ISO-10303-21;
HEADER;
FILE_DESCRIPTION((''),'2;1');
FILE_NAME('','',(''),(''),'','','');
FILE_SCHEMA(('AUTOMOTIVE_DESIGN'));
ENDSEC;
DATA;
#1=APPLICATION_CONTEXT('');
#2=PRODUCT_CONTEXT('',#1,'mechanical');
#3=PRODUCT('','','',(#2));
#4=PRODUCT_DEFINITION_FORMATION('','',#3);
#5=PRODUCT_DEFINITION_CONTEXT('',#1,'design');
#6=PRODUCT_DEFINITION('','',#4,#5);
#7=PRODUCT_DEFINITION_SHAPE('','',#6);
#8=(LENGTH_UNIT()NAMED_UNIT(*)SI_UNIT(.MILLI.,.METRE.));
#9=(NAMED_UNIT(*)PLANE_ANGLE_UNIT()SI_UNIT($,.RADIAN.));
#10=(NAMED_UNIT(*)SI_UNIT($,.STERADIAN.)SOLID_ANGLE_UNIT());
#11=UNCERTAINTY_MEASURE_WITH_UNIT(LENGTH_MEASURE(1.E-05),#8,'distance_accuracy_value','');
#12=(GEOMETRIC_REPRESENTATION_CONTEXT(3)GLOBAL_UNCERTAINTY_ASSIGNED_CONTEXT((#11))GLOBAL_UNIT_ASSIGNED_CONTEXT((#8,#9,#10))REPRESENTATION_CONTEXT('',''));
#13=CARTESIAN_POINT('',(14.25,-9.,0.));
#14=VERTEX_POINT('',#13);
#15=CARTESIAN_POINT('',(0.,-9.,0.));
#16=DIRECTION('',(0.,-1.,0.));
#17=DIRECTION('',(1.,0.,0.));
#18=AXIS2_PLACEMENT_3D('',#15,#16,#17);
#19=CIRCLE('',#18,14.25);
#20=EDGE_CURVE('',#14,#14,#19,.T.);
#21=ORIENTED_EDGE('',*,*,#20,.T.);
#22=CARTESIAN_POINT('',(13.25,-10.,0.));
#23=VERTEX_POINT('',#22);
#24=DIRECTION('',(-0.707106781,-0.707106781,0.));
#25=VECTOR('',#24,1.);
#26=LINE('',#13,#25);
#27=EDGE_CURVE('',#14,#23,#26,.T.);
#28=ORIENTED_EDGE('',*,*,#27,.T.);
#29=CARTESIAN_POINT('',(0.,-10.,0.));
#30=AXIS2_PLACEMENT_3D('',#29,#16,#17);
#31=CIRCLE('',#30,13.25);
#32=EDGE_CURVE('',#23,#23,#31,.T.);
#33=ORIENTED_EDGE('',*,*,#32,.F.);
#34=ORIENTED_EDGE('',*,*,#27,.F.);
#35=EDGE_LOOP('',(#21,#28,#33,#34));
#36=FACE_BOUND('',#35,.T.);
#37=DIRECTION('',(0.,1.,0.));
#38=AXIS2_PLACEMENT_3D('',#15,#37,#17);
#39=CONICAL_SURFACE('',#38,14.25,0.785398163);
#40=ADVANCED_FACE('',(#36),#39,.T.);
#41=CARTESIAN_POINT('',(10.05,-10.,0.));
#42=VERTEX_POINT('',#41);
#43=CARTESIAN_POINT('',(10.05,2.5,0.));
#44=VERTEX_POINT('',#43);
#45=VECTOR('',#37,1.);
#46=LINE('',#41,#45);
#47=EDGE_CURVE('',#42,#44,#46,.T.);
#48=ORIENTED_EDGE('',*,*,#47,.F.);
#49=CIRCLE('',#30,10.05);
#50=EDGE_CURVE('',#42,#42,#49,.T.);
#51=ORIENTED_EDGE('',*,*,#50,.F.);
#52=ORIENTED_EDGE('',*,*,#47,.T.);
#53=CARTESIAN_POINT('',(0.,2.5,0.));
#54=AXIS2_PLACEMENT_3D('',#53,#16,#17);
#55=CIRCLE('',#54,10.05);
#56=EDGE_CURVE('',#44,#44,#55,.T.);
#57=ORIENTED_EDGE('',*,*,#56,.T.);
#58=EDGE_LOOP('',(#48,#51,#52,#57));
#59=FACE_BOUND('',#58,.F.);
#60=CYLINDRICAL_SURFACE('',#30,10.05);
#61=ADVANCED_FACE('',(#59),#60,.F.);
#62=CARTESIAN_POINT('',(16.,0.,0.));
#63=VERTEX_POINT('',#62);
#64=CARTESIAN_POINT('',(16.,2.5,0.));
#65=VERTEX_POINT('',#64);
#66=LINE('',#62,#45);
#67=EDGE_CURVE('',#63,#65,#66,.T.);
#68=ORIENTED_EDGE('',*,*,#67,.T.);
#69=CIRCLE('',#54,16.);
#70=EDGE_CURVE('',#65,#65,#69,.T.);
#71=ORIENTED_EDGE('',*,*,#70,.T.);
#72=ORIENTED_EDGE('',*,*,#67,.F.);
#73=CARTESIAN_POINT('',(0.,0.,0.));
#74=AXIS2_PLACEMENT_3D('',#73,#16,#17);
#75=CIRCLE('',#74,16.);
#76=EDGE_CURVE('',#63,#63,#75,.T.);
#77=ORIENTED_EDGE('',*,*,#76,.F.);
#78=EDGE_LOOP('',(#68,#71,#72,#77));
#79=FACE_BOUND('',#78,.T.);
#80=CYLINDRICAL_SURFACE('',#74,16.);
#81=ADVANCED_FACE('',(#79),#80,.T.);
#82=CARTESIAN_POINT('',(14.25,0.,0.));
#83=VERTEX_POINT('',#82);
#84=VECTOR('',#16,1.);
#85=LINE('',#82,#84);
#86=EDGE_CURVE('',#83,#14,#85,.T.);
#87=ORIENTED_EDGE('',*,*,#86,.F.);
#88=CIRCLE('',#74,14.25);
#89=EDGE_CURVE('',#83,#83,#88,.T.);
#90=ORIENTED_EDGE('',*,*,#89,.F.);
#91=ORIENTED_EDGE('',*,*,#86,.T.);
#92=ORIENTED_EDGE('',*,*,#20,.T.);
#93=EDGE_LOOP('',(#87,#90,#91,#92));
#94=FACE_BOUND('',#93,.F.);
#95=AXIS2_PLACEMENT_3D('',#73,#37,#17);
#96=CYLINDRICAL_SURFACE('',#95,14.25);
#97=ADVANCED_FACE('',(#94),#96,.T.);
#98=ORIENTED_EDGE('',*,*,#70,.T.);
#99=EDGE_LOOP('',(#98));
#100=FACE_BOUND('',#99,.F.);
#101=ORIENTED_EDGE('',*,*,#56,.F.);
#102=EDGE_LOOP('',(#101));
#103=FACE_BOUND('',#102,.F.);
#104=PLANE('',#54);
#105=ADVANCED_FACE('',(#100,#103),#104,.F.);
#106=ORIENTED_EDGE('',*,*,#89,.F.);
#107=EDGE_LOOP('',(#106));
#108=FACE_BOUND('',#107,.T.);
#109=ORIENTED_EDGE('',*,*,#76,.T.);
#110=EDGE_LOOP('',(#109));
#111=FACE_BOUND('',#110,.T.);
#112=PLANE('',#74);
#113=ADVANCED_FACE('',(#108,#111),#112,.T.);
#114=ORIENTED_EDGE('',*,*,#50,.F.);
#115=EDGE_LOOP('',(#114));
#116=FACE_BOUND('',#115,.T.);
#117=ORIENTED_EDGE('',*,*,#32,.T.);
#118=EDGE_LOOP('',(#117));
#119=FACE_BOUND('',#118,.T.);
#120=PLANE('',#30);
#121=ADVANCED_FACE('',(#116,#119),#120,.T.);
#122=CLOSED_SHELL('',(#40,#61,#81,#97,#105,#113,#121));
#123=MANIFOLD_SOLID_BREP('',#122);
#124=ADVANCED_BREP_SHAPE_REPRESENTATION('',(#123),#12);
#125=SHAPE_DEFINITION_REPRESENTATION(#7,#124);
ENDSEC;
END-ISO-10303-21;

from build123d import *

# Parameters (mm, degrees)
F0_R     = 14.25
F1_DEPTH = 10
F2_R     = 16
F3_DEPTH = 2.5
F4_SIZE  = 1
F5_R     = 10.05
F6_DEPTH = 15


with BuildPart() as f1:
    # F0 (on Front) → F1 (new body)
    with BuildSketch(Plane.XZ):
        Circle(F0_R)
    extrude(amount=F1_DEPTH)

    # F2 (on Front) → F3 (join)
    with BuildSketch(Plane.XZ):
        Circle(F2_R)
    extrude(amount=-F3_DEPTH)

    # F4
    f4_edges = [f1.edges().sort_by_distance(p)[0] for p in [
        (-14.25, -10, 0),
    ]]
    chamfer(f4_edges, length=F4_SIZE)

    # F5 (on face) → F6 (cut)
    with BuildSketch(Plane.XZ.offset(10)):
        Circle(F5_R)
    extrude(amount=-F6_DEPTH, mode=Mode.SUBTRACT)


solid = f1.part
